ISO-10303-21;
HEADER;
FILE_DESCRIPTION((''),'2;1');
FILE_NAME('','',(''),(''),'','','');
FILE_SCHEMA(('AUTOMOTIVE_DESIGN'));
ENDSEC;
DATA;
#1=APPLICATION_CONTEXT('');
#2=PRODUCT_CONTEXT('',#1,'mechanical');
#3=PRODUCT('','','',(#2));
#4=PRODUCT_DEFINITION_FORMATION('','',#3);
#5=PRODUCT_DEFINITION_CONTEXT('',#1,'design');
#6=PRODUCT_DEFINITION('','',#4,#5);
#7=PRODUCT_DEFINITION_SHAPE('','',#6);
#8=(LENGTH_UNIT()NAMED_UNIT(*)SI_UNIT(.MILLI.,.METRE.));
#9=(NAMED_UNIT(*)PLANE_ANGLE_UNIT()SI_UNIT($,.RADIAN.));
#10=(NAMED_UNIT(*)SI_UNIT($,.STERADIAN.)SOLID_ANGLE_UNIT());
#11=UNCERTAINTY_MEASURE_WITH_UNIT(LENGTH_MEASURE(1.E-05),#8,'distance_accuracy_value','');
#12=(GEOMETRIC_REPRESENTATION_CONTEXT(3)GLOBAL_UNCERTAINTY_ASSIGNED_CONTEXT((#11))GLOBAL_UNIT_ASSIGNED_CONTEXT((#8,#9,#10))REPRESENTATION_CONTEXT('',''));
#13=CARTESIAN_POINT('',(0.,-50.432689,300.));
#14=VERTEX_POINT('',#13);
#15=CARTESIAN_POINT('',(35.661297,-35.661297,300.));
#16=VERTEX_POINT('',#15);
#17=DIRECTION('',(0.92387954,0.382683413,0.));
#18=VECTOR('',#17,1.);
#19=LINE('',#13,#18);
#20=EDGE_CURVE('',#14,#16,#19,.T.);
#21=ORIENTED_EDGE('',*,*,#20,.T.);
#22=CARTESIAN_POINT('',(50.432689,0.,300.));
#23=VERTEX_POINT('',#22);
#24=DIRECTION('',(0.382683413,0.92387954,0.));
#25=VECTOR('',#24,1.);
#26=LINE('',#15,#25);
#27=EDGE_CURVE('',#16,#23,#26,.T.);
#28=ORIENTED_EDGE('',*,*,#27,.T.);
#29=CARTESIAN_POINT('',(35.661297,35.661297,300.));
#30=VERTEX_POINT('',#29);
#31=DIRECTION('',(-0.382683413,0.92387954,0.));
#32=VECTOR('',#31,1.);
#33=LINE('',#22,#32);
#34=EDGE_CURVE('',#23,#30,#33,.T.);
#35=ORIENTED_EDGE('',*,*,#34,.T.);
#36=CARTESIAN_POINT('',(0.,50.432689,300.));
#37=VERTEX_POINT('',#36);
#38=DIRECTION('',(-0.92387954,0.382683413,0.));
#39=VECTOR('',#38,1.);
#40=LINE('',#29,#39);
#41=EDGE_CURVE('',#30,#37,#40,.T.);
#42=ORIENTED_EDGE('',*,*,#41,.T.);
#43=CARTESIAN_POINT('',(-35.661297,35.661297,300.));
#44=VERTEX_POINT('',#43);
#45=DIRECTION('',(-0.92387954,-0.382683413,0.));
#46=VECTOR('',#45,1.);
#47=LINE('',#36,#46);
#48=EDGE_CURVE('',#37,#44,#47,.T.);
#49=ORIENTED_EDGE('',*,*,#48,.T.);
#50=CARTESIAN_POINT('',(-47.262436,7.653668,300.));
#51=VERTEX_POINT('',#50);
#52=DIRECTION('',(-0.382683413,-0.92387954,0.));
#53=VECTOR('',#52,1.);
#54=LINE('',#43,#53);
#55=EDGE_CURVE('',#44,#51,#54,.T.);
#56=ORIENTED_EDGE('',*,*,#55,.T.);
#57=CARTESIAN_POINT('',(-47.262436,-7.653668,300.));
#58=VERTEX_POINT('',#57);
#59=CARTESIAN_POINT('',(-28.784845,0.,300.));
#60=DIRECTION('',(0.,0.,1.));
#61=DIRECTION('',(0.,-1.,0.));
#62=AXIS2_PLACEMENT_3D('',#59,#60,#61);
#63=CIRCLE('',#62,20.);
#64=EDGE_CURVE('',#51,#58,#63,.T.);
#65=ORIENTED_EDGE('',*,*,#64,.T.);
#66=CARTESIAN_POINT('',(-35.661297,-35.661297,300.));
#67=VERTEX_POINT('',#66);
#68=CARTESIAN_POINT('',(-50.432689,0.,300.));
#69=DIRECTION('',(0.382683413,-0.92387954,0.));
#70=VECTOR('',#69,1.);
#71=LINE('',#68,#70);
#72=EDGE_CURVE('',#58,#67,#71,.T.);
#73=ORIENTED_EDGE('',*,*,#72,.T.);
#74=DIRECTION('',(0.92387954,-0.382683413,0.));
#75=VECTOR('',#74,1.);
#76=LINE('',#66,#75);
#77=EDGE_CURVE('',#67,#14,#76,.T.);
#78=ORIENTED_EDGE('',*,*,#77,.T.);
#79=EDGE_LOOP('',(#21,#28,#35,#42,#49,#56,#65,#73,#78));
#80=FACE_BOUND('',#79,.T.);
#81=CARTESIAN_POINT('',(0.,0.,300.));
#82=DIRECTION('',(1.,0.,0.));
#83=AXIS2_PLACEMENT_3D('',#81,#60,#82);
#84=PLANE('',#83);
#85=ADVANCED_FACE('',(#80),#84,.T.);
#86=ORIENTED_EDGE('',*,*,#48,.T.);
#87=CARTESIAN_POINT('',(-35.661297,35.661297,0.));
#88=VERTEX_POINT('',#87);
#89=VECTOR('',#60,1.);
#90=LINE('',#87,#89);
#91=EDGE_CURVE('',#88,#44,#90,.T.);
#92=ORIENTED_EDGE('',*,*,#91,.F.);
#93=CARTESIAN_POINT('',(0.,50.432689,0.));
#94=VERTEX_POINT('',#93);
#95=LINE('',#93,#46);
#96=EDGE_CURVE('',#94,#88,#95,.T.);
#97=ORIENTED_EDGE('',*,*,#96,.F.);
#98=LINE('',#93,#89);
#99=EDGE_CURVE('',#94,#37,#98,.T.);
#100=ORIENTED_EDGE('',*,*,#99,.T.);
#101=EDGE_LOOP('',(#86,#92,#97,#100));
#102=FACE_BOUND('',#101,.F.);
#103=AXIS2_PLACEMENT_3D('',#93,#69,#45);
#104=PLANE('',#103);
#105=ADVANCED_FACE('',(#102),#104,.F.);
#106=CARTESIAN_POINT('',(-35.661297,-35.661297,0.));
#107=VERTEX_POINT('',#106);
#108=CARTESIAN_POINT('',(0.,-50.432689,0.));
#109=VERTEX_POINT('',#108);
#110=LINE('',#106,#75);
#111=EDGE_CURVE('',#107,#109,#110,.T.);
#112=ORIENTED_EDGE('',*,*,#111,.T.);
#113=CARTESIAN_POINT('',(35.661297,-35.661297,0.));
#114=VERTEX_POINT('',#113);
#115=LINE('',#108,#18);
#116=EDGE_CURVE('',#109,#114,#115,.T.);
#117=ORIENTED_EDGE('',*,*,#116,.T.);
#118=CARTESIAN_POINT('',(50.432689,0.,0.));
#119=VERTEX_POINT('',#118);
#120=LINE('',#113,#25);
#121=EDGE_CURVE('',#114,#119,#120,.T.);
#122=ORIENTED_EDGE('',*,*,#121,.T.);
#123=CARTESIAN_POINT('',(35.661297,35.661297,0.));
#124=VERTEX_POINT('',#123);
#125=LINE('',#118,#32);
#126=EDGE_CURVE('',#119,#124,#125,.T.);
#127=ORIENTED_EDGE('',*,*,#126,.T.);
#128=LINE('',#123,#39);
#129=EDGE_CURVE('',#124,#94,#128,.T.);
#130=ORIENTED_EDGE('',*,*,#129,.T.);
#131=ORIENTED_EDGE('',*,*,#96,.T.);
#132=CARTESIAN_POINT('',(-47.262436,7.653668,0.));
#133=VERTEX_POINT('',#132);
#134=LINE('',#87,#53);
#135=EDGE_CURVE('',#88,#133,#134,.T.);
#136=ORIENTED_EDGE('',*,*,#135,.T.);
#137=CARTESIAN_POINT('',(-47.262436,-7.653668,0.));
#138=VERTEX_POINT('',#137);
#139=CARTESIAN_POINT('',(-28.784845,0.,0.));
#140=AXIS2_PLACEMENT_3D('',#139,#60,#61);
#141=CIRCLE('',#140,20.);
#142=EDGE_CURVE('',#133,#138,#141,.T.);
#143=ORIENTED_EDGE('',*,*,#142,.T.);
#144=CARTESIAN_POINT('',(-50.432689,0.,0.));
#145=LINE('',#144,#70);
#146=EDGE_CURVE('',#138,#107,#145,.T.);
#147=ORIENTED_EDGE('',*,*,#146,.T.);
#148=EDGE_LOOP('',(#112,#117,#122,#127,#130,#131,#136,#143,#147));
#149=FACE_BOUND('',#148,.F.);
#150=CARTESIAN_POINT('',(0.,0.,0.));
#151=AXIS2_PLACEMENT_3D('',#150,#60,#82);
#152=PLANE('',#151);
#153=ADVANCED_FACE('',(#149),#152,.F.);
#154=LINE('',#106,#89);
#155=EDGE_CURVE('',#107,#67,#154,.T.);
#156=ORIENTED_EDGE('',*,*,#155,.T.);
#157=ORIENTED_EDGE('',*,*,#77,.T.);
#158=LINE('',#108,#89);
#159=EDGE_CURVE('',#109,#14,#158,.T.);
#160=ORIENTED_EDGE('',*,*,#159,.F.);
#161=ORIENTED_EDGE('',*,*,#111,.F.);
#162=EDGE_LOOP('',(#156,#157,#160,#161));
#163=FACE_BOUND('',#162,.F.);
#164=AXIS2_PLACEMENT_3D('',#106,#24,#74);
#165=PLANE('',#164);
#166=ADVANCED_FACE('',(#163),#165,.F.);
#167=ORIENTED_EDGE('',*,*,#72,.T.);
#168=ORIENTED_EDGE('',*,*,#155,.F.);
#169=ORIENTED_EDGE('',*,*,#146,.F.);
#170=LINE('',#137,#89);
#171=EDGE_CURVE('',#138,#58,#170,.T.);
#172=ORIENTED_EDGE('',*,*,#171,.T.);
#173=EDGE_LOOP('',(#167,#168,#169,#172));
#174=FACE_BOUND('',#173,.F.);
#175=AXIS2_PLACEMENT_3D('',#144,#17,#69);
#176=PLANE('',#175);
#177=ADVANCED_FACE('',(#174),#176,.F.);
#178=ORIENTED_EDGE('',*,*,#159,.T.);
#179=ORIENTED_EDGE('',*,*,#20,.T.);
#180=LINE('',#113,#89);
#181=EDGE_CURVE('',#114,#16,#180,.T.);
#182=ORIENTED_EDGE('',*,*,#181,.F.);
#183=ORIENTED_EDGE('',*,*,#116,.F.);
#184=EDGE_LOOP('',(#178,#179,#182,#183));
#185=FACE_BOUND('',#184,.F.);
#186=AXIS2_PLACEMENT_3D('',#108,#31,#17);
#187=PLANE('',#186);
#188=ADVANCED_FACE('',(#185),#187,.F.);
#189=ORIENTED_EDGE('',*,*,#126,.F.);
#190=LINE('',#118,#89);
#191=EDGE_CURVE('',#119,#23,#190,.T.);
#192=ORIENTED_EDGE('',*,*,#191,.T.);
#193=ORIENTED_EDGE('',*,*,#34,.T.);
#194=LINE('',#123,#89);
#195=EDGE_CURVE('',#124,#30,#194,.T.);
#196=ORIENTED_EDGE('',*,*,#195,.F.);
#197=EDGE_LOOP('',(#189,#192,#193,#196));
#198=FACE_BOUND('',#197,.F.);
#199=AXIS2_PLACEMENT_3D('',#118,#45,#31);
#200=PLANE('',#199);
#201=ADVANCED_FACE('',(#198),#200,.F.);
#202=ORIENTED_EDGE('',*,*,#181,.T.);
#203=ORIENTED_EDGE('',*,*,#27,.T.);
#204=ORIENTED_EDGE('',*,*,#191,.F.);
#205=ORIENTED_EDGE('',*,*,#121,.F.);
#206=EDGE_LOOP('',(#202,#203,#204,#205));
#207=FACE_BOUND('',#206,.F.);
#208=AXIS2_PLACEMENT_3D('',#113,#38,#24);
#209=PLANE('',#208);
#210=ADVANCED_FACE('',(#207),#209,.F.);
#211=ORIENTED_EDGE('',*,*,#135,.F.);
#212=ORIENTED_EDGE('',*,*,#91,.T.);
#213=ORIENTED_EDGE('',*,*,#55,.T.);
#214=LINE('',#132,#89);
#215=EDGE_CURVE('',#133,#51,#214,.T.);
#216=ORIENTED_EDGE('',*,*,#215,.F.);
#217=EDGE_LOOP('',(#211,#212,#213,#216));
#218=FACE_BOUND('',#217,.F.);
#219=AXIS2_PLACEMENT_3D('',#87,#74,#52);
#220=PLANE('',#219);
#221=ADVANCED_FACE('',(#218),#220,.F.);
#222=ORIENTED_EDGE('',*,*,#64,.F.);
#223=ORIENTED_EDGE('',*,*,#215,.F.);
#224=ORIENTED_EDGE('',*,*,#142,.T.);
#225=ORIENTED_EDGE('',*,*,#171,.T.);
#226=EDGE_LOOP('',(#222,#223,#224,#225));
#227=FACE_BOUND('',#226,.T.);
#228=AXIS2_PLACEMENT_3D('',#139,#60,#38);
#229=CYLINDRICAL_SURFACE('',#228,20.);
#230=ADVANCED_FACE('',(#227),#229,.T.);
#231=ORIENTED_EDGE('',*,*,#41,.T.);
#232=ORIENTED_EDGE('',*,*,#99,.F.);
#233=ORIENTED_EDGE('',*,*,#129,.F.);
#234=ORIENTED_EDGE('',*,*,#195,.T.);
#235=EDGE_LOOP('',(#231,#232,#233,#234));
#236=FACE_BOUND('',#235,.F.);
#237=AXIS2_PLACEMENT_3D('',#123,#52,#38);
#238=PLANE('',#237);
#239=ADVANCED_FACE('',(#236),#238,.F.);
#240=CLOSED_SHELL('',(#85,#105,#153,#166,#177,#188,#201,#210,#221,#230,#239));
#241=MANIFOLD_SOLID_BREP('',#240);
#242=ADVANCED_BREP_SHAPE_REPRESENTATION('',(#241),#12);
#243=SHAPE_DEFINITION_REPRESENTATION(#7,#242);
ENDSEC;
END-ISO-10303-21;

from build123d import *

# Parameters (mm, degrees)
F1_DEPTH = 300
F2_R     = 20


with BuildPart() as f1:
    # F0 (on Top) → F1 (new body)
    with BuildSketch(Plane.XY):
        Polygon((35.661297, 35.661297), (0, 50.432689), (-35.661297, 35.661297), (-50.432689, 0), (-35.661297, -35.661297), (0, -50.432689), (35.661297, -35.661297), (50.432689, 0), align=None)
    extrude(amount=F1_DEPTH)

    # F2
    f2_edges = [f1.edges().sort_by_distance(p)[0] for p in [
        (-50.432689, 0, 150),
    ]]
    fillet(f2_edges, radius=F2_R)


solid = f1.part
